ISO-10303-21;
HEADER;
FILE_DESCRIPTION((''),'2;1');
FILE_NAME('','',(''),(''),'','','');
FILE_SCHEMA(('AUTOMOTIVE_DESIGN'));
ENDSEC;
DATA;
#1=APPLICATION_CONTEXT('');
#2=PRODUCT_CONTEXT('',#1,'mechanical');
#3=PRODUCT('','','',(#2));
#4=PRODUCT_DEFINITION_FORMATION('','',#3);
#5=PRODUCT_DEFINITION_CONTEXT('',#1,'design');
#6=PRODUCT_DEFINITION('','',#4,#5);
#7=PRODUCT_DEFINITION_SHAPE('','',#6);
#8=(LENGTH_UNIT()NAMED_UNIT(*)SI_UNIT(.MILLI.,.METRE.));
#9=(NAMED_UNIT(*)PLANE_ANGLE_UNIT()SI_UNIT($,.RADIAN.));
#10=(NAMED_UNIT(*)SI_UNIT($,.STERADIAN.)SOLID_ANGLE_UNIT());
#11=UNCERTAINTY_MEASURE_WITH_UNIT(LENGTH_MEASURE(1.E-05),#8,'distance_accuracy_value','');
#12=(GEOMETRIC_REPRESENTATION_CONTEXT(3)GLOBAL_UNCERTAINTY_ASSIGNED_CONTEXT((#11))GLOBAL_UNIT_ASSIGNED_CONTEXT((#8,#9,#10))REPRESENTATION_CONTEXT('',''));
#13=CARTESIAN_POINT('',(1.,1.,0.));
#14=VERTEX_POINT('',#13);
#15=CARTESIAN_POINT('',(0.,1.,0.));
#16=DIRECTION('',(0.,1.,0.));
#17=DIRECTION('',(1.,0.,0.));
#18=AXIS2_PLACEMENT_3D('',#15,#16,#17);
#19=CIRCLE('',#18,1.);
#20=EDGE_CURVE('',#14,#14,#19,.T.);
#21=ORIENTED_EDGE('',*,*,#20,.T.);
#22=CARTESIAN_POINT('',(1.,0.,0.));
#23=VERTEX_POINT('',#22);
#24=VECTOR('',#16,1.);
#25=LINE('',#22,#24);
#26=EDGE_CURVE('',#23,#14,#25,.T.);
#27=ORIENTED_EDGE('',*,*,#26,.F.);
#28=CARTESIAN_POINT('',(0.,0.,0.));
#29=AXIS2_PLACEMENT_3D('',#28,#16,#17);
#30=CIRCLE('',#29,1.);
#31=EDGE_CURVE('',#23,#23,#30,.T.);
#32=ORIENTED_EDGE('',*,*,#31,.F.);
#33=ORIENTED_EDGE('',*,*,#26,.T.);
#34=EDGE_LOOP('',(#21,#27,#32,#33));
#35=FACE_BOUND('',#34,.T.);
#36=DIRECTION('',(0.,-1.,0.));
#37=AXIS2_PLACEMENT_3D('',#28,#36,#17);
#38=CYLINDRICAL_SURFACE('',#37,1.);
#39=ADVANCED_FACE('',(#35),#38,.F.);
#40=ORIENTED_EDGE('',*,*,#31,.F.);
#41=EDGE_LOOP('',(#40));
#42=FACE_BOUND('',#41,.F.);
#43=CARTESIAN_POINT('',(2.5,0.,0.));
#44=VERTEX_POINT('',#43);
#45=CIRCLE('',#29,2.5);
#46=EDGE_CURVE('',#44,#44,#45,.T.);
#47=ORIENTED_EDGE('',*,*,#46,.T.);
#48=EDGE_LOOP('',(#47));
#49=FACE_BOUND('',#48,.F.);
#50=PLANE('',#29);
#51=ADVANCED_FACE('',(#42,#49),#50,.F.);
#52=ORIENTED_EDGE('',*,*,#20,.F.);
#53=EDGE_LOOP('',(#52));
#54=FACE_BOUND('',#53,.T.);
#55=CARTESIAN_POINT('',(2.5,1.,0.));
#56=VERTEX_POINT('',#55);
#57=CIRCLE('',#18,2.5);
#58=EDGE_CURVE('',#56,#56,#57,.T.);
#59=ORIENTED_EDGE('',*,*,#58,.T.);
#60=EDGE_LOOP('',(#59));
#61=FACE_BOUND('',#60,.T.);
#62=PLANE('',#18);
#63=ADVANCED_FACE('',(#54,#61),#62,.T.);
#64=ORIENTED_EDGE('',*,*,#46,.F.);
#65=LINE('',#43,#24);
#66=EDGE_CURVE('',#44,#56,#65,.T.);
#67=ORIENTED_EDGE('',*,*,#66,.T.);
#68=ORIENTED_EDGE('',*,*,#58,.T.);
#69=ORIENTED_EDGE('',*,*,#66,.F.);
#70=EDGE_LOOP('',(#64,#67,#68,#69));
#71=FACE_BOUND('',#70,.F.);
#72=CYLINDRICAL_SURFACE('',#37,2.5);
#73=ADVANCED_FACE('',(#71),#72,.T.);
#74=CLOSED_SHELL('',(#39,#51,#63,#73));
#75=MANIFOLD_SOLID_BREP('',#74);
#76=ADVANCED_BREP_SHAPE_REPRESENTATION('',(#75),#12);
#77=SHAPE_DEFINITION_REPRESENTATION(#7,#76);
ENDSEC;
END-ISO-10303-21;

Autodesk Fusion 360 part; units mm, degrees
sketch "Sketch1" plane through (0, 0, 0) normal (0, 1, 0) x (1, 0, 0)
  circle A0 centre (0, 0) radius 1
  circle A1 centre (0, 0) radius 2.5
  dimension "d1" = 2
  dimension "d2" = 5
extrude "Extrude1" add sketch "Sketch1" along normal blind 1
